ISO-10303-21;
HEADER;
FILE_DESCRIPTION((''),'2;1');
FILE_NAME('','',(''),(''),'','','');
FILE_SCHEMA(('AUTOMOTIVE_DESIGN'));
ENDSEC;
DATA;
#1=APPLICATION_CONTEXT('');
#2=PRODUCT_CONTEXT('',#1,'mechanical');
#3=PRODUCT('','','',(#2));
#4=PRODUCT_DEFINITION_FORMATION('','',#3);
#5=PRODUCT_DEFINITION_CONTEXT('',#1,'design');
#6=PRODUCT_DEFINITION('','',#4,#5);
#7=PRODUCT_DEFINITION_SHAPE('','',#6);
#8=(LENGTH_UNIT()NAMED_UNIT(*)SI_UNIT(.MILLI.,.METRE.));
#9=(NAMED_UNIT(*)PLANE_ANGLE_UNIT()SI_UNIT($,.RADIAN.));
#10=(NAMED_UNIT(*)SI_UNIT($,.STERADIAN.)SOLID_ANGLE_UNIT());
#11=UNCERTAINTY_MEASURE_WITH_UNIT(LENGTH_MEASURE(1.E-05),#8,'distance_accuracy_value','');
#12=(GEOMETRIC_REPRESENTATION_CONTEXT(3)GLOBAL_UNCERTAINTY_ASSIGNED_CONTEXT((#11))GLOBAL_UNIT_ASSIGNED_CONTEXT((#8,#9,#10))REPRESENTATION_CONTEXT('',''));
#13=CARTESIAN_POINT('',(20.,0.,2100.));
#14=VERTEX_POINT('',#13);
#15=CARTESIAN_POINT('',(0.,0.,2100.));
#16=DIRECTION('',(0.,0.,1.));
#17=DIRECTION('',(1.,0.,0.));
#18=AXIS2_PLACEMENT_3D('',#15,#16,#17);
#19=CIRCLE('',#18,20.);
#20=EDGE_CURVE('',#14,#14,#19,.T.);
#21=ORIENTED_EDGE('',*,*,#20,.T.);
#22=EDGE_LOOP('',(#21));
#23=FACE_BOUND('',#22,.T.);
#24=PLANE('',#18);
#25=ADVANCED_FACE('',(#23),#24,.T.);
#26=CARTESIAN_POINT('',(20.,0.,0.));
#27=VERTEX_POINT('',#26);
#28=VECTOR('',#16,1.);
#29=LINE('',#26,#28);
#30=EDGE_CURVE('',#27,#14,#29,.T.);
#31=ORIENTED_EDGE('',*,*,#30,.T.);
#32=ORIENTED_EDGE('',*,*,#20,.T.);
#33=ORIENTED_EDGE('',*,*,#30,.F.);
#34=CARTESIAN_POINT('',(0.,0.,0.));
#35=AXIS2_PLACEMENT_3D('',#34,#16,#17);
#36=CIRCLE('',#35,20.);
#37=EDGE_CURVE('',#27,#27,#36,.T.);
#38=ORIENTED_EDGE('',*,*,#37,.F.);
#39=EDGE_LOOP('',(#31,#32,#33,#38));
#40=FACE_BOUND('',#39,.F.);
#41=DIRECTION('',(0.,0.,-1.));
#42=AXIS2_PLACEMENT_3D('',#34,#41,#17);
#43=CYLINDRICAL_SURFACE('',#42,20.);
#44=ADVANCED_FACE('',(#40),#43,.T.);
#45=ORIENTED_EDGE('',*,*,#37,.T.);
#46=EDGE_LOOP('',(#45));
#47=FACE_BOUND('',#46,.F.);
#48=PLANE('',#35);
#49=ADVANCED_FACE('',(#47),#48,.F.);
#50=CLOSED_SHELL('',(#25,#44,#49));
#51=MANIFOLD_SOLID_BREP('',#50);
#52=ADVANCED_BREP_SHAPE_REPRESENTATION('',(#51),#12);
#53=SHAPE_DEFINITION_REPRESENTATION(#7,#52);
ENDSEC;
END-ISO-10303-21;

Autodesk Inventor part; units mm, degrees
ref_plane "YZ Plane" through (0, 0, 0) normal (1, 0, 0) x (0, 1, 0)
ref_plane "XZ Plane" through (0, 0, 0) normal (0, 1, 0) x (-1, 0, 0)
ref_plane "XY Plane" through (0, 0, 0) normal (0, 0, 1) x (1, 0, 0)
sketch "Sketch1" plane through (0, 0, 0) normal (0, 0, 1) x (1, 0, 0)
  circle A0 centre (0, 0) radius 20
  dimension "d0" = 40
extrude "Extrusion1" add sketch "Sketch1" along normal blind 2100
properties part number "Parth_Pushrod2"
